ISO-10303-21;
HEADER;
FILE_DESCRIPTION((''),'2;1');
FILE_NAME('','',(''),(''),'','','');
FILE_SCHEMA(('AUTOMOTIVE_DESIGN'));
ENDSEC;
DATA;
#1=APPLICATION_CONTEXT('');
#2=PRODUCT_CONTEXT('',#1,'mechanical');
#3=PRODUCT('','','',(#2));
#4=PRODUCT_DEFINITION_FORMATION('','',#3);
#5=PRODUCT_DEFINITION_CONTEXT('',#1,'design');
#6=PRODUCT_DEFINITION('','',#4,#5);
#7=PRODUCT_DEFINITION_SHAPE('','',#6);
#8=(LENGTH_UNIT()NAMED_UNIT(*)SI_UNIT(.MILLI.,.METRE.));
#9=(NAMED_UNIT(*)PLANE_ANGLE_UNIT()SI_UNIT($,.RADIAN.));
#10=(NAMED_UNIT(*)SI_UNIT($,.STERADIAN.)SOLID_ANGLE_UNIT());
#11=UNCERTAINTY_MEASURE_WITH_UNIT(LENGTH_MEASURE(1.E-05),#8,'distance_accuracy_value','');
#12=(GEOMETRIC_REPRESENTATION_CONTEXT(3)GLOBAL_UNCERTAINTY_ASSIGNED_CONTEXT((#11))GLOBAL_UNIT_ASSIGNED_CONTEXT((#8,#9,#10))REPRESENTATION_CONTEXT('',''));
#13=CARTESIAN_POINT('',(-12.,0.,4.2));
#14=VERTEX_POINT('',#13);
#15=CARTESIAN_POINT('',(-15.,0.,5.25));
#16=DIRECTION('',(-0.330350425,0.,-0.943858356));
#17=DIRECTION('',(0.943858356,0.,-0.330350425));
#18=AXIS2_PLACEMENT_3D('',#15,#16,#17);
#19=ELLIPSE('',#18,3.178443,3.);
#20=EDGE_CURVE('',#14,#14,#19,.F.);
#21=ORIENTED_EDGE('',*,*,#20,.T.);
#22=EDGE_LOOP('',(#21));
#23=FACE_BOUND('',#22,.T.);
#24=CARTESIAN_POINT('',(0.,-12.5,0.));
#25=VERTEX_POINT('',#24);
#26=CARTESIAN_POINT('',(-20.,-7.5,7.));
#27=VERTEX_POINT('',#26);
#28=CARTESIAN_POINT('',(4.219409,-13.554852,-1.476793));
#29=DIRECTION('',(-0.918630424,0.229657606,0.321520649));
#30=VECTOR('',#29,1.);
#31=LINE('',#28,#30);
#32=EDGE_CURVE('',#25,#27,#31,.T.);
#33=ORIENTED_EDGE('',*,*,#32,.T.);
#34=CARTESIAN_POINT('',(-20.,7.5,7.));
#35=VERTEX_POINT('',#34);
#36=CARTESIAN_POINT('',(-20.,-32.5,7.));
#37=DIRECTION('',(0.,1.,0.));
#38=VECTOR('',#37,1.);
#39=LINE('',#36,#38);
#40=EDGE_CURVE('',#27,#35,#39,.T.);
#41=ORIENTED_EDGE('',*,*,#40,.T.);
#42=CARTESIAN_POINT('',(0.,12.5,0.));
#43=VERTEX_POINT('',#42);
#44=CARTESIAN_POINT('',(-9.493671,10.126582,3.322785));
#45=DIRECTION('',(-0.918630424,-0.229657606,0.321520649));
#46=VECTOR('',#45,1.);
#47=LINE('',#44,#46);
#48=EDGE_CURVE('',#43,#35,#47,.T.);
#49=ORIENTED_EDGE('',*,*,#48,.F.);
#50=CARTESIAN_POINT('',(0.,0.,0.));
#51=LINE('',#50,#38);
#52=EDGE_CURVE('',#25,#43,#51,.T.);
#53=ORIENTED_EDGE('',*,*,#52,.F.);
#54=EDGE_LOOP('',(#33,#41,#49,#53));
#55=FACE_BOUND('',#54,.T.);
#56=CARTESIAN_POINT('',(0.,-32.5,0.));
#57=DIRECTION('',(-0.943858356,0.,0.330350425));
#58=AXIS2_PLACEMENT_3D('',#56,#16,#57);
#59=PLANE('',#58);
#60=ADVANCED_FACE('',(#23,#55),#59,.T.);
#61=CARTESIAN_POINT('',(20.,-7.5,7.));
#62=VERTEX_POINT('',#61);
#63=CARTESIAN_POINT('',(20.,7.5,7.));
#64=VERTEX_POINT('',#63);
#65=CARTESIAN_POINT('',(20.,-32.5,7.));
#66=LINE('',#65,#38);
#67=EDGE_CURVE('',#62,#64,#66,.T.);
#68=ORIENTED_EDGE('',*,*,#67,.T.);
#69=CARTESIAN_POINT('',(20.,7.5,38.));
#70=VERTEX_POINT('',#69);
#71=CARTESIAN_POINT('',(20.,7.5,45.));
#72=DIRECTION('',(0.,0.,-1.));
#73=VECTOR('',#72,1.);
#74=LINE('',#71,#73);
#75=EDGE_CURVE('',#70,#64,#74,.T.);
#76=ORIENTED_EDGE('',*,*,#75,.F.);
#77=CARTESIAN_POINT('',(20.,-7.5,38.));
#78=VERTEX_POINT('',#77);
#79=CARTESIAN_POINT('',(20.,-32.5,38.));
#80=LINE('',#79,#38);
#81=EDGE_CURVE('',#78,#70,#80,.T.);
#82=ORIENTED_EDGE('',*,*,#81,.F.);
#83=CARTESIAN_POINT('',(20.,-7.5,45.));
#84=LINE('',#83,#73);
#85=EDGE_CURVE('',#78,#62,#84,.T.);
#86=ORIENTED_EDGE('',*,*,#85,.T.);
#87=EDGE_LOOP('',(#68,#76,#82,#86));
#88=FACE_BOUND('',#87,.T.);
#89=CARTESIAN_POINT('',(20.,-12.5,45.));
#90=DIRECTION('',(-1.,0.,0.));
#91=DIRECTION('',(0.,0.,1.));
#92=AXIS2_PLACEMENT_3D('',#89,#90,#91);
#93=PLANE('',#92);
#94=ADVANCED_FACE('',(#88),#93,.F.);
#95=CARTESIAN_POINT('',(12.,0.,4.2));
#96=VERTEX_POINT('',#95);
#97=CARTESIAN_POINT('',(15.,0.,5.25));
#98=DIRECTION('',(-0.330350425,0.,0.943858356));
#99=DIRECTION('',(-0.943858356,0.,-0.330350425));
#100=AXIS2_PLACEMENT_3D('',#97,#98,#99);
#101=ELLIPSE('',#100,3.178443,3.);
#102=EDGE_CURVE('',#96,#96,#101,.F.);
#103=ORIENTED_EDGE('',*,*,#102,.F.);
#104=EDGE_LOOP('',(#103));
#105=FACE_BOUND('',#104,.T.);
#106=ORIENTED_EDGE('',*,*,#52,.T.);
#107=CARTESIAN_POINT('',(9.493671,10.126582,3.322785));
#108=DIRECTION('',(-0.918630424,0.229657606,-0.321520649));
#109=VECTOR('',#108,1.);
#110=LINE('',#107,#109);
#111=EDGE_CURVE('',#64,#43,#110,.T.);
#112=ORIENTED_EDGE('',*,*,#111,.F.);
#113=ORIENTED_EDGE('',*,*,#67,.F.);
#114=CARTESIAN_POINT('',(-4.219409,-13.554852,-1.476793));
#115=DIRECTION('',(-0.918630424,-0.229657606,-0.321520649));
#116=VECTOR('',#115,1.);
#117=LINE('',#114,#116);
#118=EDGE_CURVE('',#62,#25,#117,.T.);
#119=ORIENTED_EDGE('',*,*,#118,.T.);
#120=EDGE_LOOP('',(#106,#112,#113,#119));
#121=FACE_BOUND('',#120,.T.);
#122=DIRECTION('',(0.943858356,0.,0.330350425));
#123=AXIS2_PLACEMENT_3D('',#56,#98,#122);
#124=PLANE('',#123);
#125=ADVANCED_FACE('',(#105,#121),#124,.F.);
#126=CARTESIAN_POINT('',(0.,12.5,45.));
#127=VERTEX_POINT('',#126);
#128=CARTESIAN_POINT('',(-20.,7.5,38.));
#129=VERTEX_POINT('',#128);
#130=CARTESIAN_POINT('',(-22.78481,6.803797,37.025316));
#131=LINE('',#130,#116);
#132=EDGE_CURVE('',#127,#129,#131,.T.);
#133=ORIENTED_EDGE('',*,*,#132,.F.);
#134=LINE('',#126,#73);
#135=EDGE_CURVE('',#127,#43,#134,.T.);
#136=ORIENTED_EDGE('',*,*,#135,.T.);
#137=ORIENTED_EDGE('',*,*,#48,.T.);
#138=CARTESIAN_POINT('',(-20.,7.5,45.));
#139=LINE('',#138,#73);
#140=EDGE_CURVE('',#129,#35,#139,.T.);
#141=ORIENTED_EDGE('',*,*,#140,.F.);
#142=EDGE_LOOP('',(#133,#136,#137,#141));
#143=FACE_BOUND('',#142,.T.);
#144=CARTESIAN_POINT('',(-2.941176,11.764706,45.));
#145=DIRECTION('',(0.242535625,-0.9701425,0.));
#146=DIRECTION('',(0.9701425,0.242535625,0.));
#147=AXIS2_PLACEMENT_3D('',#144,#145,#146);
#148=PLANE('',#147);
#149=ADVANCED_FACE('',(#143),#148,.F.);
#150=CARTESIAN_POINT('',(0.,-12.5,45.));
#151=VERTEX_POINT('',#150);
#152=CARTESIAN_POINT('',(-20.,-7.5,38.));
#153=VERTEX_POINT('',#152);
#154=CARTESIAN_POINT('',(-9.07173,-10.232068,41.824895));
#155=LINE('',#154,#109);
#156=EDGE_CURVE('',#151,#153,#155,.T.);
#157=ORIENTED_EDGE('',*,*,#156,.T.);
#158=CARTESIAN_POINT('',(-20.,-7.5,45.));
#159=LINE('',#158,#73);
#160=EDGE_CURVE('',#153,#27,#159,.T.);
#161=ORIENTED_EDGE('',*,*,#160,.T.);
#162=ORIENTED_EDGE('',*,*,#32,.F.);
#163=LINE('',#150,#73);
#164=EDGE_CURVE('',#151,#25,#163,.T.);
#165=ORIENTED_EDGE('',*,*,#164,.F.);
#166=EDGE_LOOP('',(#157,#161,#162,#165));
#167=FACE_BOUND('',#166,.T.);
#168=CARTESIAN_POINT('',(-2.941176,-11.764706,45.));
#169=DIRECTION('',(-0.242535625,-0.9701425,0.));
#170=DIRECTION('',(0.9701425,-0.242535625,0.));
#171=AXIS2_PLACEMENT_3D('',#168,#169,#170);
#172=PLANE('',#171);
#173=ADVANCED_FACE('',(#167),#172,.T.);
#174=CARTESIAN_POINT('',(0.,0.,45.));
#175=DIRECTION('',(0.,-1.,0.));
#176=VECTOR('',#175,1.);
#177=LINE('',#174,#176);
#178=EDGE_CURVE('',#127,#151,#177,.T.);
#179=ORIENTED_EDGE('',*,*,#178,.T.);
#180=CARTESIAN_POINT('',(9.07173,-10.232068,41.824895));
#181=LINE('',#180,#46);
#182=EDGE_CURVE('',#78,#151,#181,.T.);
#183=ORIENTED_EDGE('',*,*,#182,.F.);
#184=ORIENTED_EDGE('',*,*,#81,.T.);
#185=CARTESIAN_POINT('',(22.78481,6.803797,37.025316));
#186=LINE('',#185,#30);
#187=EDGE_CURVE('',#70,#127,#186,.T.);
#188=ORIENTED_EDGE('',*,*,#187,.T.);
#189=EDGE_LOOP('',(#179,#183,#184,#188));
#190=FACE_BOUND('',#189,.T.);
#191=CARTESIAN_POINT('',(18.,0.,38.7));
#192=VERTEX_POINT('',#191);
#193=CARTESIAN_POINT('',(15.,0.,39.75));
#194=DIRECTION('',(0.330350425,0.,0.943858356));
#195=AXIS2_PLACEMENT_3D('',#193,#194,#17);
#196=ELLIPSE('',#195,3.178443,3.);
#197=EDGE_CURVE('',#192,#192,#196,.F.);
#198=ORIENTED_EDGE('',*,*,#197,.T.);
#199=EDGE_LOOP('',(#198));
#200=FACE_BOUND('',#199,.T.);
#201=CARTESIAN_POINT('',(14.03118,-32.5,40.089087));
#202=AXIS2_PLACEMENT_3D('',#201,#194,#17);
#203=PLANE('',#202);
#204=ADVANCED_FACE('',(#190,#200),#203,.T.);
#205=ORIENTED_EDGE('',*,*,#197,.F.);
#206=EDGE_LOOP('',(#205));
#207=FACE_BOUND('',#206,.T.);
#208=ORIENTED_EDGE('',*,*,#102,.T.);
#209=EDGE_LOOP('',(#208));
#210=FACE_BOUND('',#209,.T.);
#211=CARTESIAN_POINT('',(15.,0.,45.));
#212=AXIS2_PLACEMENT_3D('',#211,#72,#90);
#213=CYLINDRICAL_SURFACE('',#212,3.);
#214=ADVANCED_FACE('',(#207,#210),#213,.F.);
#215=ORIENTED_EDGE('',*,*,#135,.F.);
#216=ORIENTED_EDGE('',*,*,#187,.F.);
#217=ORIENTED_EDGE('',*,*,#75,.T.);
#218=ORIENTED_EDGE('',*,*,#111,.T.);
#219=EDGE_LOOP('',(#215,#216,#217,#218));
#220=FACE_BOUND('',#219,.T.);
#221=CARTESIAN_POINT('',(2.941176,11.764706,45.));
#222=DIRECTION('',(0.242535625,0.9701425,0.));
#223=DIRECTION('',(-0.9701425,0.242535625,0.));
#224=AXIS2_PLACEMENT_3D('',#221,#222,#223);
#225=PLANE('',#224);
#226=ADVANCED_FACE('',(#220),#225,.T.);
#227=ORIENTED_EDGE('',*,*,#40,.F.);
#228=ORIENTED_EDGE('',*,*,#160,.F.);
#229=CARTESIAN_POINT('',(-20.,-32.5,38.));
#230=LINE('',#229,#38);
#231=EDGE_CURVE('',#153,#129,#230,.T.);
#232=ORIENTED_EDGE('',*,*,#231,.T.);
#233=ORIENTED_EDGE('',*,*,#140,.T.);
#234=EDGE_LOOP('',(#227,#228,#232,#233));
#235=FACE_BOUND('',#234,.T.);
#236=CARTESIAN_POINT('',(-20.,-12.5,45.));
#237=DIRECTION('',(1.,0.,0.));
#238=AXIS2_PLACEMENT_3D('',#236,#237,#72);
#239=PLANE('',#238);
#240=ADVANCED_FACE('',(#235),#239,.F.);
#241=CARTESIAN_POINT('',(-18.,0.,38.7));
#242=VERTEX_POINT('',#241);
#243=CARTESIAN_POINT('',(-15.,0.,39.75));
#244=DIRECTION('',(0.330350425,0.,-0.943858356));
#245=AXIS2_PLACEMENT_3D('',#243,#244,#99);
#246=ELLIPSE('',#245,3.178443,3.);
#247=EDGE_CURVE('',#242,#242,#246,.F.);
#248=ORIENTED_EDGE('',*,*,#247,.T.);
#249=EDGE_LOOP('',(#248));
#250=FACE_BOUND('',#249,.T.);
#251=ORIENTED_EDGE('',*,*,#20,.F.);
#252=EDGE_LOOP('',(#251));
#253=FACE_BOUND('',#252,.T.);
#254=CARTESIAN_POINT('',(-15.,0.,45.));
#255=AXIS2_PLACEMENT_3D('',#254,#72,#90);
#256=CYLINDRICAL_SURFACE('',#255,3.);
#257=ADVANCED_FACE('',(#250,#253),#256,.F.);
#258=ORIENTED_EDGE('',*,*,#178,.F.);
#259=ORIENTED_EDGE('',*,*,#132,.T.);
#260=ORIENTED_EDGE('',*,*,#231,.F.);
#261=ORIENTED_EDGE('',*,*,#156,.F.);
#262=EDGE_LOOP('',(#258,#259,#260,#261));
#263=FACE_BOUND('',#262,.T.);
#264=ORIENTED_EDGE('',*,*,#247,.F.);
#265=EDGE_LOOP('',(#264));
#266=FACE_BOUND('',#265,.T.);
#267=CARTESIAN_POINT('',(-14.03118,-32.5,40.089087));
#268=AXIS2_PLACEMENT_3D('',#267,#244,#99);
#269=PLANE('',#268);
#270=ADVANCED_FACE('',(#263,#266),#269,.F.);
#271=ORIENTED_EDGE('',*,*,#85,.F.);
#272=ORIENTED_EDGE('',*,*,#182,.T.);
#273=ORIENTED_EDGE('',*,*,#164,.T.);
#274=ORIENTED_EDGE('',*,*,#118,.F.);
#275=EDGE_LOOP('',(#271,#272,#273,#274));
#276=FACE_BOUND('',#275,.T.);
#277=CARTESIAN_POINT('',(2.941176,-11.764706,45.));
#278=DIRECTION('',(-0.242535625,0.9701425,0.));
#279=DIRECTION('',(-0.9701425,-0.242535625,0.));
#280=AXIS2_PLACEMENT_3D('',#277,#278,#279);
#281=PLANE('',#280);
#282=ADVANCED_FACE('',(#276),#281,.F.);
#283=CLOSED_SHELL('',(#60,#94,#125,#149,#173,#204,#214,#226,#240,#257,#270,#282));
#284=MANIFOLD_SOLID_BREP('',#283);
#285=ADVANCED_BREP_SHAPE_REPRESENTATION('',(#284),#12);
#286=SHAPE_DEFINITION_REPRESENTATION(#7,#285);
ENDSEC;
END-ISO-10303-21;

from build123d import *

# Parameters (mm, degrees)
SKETCH1_W           = 40
SKETCH1_H           = 25
BOSS_EXTRUDE1_DEPTH = 45
CUT_EXTRUDE1_DEPTH  = 45
CUT_EXTRUDE2_DEPTH  = 45
SKETCH4_R           = 3
CUT_EXTRUDE3_DEPTH  = 51.806003582


with BuildPart() as part:
    # Sketch1 → Boss-Extrude1 (new body)
    with BuildSketch(Plane.XY):
        Rectangle(SKETCH1_W, SKETCH1_H)
    extrude(amount=BOSS_EXTRUDE1_DEPTH)

    # Sketch2 → Cut-Extrude1 (cut)
    with BuildSketch(Plane(origin=(0, 12.5, 0), x_dir=(1, 0, 0), z_dir=(0, 1, 0))):
        Polygon((0, -45), (-20, -38), (-20, -45), align=None)
        Polygon((20, -45), (20, -38), (0, -45), align=None)
        Polygon((20, 0), (0, 0), (20, -7), align=None)
        Polygon((0, 0), (-20, -7), (-20, 0), align=None)
    extrude(amount=-CUT_EXTRUDE1_DEPTH, mode=Mode.SUBTRACT)

    # Sketch3 → Cut-Extrude2 (cut)
    with BuildSketch(Plane.XY):
        Polygon((-20, 12.5), (0, 12.5), (-20, 7.5), align=None)
        Polygon((20, 12.5), (20, 7.5), (0, 12.5), align=None)
        Polygon((20, -12.5), (0, -12.5), (20, -7.5), align=None)
        Polygon((-20, -12.5), (-20, -7.5), (0, -12.5), align=None)
    extrude(amount=CUT_EXTRUDE2_DEPTH, mode=Mode.SUBTRACT)

    # Sketch4 → Cut-Extrude3 (cut, through all)
    with BuildSketch(Plane.XY):
        with Locations(Location((-15, 0, 0), (0, 0, 180))):
            Circle(SKETCH4_R)
        with Locations(Location((15, 0, 0), (0, 0, 180))):
            Circle(SKETCH4_R)
    extrude(amount=CUT_EXTRUDE3_DEPTH, mode=Mode.SUBTRACT)


solid = part.part
